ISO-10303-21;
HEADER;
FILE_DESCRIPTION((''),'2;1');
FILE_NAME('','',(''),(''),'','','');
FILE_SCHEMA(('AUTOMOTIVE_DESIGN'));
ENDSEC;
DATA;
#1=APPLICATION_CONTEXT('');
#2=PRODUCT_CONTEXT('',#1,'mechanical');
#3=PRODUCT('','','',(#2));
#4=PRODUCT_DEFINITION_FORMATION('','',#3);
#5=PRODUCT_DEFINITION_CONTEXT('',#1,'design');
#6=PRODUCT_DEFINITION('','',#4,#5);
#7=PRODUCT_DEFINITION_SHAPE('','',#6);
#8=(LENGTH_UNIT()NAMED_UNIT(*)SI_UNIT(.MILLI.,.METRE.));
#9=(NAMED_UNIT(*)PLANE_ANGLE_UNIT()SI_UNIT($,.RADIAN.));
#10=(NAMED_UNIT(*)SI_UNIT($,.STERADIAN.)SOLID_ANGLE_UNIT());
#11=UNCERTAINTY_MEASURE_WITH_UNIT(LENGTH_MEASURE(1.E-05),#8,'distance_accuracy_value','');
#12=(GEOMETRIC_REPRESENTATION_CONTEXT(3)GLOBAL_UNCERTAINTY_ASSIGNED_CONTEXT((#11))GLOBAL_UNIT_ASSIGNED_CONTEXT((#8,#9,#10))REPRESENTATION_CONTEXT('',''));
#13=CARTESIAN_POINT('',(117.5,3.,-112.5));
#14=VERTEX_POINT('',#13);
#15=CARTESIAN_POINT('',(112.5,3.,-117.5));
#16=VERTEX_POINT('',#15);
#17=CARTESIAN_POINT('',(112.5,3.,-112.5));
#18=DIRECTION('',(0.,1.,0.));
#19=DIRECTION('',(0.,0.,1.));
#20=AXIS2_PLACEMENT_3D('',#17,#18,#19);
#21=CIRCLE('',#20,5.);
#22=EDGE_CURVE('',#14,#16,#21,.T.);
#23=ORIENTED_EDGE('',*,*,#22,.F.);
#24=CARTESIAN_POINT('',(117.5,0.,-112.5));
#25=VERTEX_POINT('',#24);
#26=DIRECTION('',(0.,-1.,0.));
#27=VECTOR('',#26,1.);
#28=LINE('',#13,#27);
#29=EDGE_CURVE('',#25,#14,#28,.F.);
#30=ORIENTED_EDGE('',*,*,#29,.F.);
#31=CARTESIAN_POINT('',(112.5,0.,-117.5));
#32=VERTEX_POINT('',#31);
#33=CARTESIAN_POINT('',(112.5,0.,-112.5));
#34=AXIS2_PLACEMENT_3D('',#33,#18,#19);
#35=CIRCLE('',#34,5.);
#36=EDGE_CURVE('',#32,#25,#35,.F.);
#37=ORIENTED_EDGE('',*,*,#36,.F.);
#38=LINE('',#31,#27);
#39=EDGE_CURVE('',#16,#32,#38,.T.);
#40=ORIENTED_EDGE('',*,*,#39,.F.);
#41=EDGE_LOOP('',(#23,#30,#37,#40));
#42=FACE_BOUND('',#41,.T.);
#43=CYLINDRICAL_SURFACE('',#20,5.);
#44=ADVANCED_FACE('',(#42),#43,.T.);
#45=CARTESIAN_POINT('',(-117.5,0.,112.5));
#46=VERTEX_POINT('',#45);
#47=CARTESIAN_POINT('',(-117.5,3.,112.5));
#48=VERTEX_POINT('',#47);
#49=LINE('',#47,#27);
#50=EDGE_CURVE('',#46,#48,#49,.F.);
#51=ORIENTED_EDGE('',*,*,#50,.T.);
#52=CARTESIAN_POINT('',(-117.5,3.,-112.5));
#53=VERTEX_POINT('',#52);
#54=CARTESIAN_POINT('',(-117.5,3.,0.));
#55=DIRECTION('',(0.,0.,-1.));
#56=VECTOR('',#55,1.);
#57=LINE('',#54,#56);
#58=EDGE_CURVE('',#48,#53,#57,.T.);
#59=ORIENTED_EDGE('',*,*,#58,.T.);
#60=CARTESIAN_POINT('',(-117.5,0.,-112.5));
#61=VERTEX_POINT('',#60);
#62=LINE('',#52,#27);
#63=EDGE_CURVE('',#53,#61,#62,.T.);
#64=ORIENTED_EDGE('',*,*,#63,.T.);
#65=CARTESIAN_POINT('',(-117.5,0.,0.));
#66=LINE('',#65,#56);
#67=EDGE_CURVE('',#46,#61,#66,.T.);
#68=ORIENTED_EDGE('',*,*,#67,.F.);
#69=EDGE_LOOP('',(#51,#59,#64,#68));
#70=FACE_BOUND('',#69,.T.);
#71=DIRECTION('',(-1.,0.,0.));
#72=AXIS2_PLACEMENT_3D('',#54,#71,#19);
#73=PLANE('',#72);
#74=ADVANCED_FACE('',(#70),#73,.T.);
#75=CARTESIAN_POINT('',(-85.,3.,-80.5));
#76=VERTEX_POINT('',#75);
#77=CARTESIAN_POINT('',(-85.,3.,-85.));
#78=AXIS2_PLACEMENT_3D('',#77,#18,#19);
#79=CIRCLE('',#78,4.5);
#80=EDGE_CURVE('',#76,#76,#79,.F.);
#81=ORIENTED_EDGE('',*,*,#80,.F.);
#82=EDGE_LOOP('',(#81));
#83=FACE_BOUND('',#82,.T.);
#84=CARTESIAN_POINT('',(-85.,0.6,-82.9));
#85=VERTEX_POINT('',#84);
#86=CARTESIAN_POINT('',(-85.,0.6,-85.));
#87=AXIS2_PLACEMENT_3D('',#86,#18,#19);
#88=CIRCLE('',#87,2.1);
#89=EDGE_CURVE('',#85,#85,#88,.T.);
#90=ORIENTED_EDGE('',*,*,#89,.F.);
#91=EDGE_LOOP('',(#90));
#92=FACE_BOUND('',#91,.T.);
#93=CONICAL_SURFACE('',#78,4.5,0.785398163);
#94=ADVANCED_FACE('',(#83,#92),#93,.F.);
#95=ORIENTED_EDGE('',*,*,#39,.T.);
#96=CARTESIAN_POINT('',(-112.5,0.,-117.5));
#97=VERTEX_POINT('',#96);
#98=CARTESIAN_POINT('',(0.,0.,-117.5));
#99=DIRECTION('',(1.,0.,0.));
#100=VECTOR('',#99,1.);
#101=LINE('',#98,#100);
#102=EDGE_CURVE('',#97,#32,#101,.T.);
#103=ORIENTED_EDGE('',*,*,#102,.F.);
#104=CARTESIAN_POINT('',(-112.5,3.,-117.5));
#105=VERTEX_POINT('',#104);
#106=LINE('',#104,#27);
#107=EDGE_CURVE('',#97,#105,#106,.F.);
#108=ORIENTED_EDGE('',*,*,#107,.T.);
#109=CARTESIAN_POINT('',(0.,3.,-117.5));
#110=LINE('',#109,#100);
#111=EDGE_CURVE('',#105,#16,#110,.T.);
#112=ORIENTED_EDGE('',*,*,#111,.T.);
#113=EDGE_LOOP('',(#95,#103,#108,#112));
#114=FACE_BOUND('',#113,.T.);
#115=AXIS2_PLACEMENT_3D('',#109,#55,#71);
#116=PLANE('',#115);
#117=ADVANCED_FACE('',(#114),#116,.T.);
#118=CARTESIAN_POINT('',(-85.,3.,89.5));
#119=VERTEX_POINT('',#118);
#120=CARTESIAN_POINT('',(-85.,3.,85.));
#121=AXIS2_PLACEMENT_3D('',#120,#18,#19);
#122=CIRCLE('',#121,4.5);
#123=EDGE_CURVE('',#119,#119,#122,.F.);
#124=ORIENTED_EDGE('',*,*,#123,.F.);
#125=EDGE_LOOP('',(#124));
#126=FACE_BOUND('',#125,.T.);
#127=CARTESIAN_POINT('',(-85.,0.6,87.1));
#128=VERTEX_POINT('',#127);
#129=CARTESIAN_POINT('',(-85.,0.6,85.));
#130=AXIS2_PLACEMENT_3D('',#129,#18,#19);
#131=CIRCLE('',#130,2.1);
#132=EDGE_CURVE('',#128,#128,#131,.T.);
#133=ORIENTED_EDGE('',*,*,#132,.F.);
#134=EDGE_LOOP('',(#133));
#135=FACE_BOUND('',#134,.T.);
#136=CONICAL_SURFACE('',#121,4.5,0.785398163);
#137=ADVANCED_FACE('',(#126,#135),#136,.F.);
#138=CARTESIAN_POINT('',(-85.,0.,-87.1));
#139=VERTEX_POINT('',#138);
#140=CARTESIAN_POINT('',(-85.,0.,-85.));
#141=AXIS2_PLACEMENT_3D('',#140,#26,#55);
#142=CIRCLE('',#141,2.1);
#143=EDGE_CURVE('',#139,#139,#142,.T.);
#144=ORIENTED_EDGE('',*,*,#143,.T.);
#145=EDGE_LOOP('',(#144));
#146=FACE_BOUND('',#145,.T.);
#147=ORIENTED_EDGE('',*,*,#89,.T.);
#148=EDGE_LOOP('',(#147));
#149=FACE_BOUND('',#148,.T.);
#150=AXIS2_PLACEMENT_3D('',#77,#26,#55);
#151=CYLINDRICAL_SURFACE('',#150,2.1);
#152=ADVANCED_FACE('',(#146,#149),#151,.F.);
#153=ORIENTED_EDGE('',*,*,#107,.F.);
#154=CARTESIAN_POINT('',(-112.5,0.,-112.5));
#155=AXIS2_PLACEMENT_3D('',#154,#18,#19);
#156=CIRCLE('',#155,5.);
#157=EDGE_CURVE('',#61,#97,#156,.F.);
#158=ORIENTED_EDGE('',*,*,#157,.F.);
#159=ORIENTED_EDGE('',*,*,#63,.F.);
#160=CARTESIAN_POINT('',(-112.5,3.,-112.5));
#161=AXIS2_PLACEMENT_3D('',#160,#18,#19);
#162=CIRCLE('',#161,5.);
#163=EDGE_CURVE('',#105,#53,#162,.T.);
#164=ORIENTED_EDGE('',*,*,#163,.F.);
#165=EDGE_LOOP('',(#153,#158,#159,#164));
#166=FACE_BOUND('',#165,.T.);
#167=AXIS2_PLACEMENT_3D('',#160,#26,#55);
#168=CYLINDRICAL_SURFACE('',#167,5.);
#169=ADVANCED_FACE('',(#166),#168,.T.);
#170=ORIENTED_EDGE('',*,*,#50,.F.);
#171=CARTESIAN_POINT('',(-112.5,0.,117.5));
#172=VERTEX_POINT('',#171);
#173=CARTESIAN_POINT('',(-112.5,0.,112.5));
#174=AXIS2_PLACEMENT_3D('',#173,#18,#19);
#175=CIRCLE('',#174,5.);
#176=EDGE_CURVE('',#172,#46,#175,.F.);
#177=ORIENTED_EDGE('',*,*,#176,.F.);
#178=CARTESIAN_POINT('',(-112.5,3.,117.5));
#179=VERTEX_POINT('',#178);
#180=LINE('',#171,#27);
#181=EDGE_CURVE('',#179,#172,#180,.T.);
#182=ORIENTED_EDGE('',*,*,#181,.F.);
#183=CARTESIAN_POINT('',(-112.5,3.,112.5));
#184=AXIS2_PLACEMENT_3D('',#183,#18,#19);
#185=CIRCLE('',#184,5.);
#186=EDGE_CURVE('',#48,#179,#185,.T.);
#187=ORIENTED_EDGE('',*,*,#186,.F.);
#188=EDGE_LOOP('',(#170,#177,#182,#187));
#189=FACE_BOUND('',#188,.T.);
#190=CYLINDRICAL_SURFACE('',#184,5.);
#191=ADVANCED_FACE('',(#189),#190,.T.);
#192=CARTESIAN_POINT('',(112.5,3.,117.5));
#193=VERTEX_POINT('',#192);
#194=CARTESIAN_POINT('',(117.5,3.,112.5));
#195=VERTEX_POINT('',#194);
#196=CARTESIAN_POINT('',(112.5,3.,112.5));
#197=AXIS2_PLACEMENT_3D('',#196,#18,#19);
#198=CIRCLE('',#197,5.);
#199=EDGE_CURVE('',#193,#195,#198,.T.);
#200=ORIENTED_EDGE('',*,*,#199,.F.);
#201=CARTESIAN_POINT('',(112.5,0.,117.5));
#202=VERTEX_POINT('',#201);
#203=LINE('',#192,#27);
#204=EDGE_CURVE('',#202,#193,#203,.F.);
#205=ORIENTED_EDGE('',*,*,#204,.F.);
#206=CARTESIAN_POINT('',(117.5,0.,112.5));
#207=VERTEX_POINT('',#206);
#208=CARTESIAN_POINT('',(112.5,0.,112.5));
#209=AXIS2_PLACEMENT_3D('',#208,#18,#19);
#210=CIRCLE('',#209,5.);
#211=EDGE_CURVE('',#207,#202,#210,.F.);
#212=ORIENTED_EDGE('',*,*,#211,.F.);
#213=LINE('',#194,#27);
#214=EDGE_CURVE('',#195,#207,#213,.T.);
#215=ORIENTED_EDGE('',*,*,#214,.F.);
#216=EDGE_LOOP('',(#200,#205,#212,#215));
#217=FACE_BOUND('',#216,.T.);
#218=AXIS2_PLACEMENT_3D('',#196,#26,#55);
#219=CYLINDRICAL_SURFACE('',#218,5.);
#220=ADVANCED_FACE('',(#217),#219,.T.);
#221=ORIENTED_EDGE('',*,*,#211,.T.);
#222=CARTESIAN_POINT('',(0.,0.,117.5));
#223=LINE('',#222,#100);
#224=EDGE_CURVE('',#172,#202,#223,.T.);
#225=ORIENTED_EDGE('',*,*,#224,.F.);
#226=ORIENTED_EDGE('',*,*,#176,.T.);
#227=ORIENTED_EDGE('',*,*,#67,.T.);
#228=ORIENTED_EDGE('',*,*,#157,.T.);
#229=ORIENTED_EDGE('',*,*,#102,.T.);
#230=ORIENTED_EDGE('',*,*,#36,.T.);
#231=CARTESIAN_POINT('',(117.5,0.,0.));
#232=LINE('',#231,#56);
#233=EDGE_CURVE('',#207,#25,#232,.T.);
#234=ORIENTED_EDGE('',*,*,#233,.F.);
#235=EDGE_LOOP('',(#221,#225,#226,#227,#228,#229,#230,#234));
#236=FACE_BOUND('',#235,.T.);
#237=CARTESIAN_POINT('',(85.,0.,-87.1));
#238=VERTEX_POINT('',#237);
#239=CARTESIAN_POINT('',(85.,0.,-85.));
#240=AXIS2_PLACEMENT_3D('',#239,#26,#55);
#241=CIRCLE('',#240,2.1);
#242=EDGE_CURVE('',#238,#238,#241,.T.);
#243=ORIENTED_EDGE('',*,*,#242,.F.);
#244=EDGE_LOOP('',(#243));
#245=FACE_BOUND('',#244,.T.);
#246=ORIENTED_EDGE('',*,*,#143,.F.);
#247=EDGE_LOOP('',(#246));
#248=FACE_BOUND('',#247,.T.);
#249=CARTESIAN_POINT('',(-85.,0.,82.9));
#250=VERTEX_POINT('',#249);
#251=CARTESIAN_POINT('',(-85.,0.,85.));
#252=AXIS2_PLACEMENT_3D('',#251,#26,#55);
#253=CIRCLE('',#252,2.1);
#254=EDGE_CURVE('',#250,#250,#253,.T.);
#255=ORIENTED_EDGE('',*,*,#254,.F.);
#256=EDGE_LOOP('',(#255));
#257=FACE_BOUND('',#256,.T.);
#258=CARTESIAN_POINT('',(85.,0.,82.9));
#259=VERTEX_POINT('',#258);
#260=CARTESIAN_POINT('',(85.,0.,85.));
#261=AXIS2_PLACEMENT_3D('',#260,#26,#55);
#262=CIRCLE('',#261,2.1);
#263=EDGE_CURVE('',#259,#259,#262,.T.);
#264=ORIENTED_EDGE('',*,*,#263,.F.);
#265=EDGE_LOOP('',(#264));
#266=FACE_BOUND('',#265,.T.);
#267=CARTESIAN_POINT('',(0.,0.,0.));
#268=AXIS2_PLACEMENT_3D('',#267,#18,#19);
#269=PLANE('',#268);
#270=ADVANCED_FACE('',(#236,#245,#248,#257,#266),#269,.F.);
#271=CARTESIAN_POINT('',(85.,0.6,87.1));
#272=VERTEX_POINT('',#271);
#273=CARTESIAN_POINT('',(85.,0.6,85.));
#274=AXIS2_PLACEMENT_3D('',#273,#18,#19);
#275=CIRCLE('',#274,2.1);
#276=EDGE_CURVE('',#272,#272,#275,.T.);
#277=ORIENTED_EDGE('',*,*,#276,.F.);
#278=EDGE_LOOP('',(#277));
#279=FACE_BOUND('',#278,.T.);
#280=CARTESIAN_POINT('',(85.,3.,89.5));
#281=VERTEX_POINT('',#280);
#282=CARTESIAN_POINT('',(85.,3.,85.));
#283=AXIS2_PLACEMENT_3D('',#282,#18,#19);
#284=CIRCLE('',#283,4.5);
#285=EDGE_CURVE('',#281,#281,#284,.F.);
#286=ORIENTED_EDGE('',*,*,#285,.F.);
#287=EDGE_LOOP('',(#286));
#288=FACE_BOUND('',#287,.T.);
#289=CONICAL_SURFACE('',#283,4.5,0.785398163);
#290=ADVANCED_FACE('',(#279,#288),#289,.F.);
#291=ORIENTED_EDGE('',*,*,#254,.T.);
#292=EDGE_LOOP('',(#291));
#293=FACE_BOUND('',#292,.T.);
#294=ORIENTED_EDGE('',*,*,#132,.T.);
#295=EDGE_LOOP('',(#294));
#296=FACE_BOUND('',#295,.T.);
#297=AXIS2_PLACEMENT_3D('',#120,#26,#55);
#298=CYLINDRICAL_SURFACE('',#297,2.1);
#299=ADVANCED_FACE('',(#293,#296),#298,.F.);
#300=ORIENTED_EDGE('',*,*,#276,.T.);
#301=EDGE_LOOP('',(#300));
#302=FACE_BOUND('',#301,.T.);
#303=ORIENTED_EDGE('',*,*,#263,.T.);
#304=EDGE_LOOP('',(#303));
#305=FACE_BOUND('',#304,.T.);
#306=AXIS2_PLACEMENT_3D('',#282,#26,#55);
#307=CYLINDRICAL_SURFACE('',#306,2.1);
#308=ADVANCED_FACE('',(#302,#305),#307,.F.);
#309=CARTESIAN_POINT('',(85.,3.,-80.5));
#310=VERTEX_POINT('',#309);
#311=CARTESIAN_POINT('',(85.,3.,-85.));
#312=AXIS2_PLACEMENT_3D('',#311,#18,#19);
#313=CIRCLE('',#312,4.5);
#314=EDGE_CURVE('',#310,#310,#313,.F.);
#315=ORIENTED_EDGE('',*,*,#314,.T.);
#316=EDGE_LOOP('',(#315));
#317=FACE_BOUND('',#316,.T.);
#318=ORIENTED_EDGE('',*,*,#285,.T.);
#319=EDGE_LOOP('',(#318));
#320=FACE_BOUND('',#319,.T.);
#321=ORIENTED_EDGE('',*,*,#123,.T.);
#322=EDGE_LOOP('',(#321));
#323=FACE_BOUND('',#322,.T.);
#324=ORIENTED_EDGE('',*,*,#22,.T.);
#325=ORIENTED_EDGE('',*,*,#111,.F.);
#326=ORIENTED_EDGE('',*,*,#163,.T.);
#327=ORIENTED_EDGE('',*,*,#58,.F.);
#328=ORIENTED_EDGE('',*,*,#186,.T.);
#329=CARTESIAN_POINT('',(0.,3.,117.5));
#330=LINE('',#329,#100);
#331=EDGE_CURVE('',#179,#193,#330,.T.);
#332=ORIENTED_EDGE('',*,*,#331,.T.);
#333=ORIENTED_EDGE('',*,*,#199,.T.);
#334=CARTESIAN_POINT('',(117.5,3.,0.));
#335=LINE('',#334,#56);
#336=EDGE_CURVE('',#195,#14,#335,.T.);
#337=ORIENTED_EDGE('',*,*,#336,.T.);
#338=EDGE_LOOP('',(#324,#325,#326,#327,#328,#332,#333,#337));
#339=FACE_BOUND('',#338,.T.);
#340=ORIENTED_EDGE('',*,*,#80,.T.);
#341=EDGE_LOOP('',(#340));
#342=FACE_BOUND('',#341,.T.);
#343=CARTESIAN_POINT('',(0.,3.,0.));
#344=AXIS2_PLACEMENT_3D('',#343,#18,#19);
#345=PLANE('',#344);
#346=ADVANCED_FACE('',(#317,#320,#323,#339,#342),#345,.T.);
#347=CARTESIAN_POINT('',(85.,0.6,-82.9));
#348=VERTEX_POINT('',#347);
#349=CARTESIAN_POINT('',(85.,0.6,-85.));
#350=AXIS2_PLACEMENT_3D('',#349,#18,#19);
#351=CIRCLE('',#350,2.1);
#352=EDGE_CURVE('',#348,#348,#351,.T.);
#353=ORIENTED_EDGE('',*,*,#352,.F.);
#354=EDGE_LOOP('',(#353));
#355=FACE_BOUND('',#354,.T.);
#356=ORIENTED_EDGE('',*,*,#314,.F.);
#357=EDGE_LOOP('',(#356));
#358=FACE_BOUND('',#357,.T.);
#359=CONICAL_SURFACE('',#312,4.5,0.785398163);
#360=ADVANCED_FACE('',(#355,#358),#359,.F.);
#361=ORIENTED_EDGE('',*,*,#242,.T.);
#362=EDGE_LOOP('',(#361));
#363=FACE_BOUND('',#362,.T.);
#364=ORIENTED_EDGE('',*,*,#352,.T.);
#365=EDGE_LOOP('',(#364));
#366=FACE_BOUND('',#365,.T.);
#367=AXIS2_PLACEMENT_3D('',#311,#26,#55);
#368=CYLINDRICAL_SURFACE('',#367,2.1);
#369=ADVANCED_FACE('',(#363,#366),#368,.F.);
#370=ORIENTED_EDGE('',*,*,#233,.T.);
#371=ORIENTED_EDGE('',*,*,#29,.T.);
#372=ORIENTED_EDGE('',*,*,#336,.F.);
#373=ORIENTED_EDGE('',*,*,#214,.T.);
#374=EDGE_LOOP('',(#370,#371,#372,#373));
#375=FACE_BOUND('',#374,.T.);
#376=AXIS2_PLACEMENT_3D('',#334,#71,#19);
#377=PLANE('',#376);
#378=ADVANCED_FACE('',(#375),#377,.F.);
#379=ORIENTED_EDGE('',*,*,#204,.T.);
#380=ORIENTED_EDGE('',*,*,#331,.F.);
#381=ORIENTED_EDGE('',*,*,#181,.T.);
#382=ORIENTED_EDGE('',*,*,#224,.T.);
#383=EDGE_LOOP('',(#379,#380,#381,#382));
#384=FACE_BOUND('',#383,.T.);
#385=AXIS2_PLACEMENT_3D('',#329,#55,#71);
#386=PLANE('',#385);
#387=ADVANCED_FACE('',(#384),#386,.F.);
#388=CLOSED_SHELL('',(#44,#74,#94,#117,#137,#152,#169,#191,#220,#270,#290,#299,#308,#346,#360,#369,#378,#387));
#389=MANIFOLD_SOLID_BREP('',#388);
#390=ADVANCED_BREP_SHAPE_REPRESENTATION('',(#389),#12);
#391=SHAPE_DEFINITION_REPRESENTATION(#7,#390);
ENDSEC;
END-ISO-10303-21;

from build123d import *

# Parameters (mm, degrees)
BOSS_EXTRUDE1_DEPTH = 3
SKETCH2_R           = 2.1
CUT_EXTRUDE1_DEPTH  = 3
FILLET1_R           = 5
CHAMFER1_SIZE       = 2.4


with BuildPart() as part:
    # Sketch1 → Boss-Extrude1 (new body)
    with BuildSketch(Plane(origin=(0, 0, 0), x_dir=(1, 0, 0), z_dir=(0, 1, 0))):
        Polygon((0, 0), (-117.5, 117.5), (-117.5, -67.83865663), align=None)
        Polygon((0, 117.5), (-117.5, 117.5), (0, 0), align=None)
        Polygon((0, 117.5), (0, 0), (117.5, -67.83865663), (117.5, 117.5), align=None)
        Polygon((117.5, -67.83865663), (0, 0), (117.5, -117.5), align=None)
        Polygon((117.5, -117.5), (0, 0), (-117.5, -67.83865663), (-117.5, -117.5), align=None)
    extrude(amount=BOSS_EXTRUDE1_DEPTH)

    # Sketch2 → Cut-Extrude1 (cut)
    with BuildSketch(Plane.XZ):
        with Locations(Location((85, -85, 0), (0, 0, 270))):
            Circle(SKETCH2_R)
        with Locations(Location((-85, 85, 0), (0, 0, 270))):
            Circle(SKETCH2_R)
        with Locations(Location((85, 85, 0), (0, 0, 270))):
            Circle(SKETCH2_R)
        with Locations(Location((-85, -85, 0), (0, 0, 270))):
            Circle(SKETCH2_R)
    extrude(amount=-CUT_EXTRUDE1_DEPTH, mode=Mode.SUBTRACT)

    # Fillet1
    fillet1_edges = [part.edges().sort_by_distance(p)[0] for p in [
        (-117.5, 1.5, 117.5),
        (-117.5, 1.5, -117.5),
        (117.5, 1.5, -117.5),
        (117.5, 1.5, 117.5),
    ]]
    fillet(fillet1_edges, radius=FILLET1_R)

    # Chamfer1
    chamfer1_edges = [part.edges().sort_by_distance(p)[0] for p in [
        (-85, 3, -82.9),
        (85, 3, 87.1),
        (-85, 3, 87.1),
        (85, 3, -82.9),
    ]]
    chamfer(chamfer1_edges, length=CHAMFER1_SIZE)


solid = part.part
